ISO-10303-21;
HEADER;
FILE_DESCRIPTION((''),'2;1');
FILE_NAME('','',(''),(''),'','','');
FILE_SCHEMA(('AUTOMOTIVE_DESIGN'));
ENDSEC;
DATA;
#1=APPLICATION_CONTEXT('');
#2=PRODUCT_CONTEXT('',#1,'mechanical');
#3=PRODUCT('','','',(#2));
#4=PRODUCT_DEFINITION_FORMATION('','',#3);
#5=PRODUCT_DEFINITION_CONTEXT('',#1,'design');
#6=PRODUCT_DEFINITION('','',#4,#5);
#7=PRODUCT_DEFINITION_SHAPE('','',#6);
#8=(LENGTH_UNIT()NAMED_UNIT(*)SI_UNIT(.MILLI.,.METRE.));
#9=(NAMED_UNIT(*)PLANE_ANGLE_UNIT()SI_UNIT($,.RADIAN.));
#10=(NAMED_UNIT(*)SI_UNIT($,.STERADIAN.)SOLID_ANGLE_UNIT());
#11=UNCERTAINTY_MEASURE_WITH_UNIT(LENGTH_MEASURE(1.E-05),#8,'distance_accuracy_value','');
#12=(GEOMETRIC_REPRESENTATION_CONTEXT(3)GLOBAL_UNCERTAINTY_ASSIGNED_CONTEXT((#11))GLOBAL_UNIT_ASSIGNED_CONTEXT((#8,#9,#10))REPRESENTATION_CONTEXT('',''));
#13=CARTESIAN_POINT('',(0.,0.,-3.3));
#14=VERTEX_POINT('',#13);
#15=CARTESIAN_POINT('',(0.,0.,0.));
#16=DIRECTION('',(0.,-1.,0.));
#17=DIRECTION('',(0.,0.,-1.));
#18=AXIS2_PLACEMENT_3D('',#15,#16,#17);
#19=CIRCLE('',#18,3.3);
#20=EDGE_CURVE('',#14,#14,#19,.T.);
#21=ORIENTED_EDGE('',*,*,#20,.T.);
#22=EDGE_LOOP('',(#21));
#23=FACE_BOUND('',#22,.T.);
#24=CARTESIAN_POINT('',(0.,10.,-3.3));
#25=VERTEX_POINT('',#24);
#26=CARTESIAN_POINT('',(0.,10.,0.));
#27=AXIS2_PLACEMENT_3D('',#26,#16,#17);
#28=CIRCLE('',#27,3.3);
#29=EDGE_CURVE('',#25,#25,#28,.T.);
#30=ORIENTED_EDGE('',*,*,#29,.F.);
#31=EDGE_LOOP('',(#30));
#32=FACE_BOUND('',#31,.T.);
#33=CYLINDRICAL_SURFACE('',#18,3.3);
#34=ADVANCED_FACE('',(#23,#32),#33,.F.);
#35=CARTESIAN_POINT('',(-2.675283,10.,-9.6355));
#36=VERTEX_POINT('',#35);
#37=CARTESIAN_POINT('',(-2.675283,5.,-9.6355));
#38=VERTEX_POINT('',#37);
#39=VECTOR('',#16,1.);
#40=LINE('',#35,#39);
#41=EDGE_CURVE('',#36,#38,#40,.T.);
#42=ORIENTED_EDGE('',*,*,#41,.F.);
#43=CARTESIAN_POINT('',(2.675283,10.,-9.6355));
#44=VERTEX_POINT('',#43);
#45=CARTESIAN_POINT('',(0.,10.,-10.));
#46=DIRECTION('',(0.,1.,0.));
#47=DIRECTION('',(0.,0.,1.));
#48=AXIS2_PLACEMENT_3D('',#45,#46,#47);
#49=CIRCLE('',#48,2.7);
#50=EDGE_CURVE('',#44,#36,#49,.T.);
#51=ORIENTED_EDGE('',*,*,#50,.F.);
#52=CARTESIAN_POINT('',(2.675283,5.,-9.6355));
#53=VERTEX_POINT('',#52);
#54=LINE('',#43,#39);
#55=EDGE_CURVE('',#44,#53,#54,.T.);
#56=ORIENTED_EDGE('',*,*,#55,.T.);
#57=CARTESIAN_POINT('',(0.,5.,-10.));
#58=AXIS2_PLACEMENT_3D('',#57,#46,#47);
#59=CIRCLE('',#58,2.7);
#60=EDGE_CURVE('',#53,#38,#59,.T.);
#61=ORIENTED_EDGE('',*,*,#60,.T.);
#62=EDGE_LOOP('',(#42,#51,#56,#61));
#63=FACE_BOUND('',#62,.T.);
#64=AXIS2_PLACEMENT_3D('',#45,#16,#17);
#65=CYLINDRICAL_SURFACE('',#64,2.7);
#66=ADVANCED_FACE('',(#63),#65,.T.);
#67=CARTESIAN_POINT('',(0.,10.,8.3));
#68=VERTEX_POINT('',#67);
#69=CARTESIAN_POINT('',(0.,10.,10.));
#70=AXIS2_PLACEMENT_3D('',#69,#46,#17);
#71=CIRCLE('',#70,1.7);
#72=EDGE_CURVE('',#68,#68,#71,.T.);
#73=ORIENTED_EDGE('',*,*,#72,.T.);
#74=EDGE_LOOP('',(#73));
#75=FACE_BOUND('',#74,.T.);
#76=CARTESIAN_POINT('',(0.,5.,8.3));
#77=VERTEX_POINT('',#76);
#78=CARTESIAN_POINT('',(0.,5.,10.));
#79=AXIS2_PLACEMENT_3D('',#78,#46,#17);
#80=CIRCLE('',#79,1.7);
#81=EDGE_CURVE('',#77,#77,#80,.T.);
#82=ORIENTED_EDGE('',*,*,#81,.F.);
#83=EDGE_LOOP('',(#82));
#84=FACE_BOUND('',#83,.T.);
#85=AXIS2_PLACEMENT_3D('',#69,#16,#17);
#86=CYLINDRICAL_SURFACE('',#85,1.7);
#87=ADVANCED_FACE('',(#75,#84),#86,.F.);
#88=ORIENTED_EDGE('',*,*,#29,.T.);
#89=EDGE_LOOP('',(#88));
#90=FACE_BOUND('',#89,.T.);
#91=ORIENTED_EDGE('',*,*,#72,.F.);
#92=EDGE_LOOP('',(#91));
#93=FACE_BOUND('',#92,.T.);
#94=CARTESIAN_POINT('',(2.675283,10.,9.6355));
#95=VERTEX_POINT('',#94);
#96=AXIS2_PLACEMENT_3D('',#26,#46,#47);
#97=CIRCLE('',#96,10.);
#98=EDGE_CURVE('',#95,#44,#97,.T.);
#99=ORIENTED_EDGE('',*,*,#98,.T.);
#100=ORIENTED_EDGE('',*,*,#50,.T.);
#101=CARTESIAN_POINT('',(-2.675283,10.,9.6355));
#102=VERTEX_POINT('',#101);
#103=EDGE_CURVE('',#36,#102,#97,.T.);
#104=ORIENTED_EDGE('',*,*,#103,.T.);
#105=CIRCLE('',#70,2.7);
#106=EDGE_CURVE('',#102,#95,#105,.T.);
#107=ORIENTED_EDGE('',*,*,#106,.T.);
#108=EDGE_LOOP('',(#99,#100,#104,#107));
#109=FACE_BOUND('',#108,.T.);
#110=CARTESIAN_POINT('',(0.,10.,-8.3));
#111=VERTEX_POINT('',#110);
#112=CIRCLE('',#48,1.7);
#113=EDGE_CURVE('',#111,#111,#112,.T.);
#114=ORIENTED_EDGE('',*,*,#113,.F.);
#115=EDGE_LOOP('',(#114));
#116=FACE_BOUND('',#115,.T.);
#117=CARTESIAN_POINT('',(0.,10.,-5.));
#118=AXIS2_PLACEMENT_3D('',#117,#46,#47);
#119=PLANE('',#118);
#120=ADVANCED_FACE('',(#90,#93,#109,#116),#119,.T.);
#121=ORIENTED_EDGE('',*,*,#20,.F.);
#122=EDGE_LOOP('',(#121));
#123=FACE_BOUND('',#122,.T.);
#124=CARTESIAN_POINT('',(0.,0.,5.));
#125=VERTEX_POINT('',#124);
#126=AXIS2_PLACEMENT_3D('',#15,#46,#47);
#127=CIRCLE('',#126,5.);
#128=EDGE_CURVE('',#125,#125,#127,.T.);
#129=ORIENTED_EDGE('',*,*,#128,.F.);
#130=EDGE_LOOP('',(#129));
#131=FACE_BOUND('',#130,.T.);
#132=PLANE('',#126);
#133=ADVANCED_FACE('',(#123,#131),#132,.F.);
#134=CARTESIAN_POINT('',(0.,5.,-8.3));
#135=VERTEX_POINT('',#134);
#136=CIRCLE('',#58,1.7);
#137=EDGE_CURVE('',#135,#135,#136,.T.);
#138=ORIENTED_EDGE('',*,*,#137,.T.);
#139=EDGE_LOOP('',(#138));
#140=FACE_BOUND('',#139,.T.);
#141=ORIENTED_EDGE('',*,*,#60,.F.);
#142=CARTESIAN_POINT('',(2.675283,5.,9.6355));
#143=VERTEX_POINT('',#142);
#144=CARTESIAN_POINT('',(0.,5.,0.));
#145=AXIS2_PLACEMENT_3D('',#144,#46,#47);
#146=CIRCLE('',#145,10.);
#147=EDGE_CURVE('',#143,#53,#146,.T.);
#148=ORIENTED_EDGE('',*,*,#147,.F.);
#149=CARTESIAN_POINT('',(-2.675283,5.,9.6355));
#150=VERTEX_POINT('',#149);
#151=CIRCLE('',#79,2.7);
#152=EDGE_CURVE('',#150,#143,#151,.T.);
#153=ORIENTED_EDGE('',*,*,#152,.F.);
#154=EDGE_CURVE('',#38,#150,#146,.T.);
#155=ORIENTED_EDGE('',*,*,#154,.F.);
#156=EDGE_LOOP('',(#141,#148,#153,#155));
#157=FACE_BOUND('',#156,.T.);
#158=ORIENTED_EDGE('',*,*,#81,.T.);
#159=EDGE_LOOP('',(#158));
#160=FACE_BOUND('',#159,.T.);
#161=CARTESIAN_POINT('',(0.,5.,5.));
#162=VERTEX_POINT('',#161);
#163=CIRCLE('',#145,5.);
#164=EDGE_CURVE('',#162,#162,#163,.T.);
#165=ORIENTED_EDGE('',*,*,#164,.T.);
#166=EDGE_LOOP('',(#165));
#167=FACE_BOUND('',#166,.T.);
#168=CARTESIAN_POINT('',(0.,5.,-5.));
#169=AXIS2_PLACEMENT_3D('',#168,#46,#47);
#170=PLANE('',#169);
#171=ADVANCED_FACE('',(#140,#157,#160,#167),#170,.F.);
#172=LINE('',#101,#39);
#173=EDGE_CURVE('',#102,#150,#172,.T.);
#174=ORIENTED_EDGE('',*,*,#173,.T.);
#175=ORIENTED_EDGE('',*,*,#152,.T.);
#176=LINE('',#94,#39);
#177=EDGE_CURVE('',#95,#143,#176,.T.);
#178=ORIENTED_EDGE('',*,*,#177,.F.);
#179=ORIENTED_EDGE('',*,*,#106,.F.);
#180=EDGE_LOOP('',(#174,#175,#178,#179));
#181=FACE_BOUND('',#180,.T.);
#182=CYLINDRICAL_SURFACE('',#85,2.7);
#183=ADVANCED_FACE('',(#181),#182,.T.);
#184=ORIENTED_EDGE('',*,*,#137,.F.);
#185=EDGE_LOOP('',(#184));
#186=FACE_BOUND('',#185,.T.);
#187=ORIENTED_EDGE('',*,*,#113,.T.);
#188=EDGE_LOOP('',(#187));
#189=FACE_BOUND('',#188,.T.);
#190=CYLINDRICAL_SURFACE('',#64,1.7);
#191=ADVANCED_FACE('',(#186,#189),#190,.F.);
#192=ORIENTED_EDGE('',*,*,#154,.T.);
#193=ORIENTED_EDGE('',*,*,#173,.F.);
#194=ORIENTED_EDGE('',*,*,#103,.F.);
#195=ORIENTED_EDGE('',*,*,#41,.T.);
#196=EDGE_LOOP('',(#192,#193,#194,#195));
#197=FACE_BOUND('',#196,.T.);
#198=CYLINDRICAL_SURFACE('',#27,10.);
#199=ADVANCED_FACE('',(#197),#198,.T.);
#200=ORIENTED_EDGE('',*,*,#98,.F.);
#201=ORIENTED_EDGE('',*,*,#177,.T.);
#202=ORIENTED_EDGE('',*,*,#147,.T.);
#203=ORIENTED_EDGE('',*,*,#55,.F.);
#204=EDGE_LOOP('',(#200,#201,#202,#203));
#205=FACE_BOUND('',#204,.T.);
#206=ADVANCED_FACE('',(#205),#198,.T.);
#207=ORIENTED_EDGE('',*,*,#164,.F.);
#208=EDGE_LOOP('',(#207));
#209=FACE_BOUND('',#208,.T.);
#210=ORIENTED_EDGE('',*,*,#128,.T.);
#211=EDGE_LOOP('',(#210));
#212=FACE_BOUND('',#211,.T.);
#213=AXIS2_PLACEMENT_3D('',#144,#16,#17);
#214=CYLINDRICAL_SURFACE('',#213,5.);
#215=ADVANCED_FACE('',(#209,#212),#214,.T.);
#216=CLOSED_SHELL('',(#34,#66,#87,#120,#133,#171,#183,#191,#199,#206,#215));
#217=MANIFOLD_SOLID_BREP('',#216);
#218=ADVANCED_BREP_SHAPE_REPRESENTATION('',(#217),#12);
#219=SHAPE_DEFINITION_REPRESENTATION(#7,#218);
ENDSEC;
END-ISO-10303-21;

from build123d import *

# Parameters (mm, degrees)
CROQUIS1_R                   = 5
SALIENTE_EXTRUIR1_DEPTH      = 5
CROQUIS2_R                   = 1.7
SALIENTE_EXTRUIR2_DEPTH      = 5
TALADRO_DE_MARGEN_PARA_M61_D = 6.6


with BuildPart() as part:
    # Croquis1 → Saliente-Extruir1 (new body)
    with BuildSketch(Plane(origin=(0, 0, 0), x_dir=(1, 0, 0), z_dir=(0, 1, 0))):
        Circle(CROQUIS1_R)
    extrude(amount=SALIENTE_EXTRUIR1_DEPTH)

    # Croquis2 → Saliente-Extruir2 (add)
    with BuildSketch(Plane(origin=(0, 5, 0), x_dir=(1, 0, 0), z_dir=(0, 1, 0))):
        with BuildLine():
            ThreePointArc((-2.675283116, 9.6355), (-10, 0), (-2.675283116, -9.6355))
            ThreePointArc((-2.675283116, -9.6355), (0, -12.7), (2.675283116, -9.6355))
            ThreePointArc((2.675283116, -9.6355), (10, 0), (2.675283116, 9.6355))
            ThreePointArc((2.675283116, 9.6355), (0, 12.7), (-2.675283116, 9.6355))
        make_face()
        with Locations((0, 10)):
            Circle(CROQUIS2_R, mode=Mode.SUBTRACT)
        with Locations((0, -10)):
            Circle(CROQUIS2_R, mode=Mode.SUBTRACT)
    extrude(amount=SALIENTE_EXTRUIR2_DEPTH)

    # Taladro de margen para M61 (through all)
    with Locations(Plane(origin=(0, 0, 0), x_dir=(-1, 0, 0), z_dir=(0, -1, 0))):
        with Locations((0, 0)):
            Hole(TALADRO_DE_MARGEN_PARA_M61_D / 2)


solid = part.part
